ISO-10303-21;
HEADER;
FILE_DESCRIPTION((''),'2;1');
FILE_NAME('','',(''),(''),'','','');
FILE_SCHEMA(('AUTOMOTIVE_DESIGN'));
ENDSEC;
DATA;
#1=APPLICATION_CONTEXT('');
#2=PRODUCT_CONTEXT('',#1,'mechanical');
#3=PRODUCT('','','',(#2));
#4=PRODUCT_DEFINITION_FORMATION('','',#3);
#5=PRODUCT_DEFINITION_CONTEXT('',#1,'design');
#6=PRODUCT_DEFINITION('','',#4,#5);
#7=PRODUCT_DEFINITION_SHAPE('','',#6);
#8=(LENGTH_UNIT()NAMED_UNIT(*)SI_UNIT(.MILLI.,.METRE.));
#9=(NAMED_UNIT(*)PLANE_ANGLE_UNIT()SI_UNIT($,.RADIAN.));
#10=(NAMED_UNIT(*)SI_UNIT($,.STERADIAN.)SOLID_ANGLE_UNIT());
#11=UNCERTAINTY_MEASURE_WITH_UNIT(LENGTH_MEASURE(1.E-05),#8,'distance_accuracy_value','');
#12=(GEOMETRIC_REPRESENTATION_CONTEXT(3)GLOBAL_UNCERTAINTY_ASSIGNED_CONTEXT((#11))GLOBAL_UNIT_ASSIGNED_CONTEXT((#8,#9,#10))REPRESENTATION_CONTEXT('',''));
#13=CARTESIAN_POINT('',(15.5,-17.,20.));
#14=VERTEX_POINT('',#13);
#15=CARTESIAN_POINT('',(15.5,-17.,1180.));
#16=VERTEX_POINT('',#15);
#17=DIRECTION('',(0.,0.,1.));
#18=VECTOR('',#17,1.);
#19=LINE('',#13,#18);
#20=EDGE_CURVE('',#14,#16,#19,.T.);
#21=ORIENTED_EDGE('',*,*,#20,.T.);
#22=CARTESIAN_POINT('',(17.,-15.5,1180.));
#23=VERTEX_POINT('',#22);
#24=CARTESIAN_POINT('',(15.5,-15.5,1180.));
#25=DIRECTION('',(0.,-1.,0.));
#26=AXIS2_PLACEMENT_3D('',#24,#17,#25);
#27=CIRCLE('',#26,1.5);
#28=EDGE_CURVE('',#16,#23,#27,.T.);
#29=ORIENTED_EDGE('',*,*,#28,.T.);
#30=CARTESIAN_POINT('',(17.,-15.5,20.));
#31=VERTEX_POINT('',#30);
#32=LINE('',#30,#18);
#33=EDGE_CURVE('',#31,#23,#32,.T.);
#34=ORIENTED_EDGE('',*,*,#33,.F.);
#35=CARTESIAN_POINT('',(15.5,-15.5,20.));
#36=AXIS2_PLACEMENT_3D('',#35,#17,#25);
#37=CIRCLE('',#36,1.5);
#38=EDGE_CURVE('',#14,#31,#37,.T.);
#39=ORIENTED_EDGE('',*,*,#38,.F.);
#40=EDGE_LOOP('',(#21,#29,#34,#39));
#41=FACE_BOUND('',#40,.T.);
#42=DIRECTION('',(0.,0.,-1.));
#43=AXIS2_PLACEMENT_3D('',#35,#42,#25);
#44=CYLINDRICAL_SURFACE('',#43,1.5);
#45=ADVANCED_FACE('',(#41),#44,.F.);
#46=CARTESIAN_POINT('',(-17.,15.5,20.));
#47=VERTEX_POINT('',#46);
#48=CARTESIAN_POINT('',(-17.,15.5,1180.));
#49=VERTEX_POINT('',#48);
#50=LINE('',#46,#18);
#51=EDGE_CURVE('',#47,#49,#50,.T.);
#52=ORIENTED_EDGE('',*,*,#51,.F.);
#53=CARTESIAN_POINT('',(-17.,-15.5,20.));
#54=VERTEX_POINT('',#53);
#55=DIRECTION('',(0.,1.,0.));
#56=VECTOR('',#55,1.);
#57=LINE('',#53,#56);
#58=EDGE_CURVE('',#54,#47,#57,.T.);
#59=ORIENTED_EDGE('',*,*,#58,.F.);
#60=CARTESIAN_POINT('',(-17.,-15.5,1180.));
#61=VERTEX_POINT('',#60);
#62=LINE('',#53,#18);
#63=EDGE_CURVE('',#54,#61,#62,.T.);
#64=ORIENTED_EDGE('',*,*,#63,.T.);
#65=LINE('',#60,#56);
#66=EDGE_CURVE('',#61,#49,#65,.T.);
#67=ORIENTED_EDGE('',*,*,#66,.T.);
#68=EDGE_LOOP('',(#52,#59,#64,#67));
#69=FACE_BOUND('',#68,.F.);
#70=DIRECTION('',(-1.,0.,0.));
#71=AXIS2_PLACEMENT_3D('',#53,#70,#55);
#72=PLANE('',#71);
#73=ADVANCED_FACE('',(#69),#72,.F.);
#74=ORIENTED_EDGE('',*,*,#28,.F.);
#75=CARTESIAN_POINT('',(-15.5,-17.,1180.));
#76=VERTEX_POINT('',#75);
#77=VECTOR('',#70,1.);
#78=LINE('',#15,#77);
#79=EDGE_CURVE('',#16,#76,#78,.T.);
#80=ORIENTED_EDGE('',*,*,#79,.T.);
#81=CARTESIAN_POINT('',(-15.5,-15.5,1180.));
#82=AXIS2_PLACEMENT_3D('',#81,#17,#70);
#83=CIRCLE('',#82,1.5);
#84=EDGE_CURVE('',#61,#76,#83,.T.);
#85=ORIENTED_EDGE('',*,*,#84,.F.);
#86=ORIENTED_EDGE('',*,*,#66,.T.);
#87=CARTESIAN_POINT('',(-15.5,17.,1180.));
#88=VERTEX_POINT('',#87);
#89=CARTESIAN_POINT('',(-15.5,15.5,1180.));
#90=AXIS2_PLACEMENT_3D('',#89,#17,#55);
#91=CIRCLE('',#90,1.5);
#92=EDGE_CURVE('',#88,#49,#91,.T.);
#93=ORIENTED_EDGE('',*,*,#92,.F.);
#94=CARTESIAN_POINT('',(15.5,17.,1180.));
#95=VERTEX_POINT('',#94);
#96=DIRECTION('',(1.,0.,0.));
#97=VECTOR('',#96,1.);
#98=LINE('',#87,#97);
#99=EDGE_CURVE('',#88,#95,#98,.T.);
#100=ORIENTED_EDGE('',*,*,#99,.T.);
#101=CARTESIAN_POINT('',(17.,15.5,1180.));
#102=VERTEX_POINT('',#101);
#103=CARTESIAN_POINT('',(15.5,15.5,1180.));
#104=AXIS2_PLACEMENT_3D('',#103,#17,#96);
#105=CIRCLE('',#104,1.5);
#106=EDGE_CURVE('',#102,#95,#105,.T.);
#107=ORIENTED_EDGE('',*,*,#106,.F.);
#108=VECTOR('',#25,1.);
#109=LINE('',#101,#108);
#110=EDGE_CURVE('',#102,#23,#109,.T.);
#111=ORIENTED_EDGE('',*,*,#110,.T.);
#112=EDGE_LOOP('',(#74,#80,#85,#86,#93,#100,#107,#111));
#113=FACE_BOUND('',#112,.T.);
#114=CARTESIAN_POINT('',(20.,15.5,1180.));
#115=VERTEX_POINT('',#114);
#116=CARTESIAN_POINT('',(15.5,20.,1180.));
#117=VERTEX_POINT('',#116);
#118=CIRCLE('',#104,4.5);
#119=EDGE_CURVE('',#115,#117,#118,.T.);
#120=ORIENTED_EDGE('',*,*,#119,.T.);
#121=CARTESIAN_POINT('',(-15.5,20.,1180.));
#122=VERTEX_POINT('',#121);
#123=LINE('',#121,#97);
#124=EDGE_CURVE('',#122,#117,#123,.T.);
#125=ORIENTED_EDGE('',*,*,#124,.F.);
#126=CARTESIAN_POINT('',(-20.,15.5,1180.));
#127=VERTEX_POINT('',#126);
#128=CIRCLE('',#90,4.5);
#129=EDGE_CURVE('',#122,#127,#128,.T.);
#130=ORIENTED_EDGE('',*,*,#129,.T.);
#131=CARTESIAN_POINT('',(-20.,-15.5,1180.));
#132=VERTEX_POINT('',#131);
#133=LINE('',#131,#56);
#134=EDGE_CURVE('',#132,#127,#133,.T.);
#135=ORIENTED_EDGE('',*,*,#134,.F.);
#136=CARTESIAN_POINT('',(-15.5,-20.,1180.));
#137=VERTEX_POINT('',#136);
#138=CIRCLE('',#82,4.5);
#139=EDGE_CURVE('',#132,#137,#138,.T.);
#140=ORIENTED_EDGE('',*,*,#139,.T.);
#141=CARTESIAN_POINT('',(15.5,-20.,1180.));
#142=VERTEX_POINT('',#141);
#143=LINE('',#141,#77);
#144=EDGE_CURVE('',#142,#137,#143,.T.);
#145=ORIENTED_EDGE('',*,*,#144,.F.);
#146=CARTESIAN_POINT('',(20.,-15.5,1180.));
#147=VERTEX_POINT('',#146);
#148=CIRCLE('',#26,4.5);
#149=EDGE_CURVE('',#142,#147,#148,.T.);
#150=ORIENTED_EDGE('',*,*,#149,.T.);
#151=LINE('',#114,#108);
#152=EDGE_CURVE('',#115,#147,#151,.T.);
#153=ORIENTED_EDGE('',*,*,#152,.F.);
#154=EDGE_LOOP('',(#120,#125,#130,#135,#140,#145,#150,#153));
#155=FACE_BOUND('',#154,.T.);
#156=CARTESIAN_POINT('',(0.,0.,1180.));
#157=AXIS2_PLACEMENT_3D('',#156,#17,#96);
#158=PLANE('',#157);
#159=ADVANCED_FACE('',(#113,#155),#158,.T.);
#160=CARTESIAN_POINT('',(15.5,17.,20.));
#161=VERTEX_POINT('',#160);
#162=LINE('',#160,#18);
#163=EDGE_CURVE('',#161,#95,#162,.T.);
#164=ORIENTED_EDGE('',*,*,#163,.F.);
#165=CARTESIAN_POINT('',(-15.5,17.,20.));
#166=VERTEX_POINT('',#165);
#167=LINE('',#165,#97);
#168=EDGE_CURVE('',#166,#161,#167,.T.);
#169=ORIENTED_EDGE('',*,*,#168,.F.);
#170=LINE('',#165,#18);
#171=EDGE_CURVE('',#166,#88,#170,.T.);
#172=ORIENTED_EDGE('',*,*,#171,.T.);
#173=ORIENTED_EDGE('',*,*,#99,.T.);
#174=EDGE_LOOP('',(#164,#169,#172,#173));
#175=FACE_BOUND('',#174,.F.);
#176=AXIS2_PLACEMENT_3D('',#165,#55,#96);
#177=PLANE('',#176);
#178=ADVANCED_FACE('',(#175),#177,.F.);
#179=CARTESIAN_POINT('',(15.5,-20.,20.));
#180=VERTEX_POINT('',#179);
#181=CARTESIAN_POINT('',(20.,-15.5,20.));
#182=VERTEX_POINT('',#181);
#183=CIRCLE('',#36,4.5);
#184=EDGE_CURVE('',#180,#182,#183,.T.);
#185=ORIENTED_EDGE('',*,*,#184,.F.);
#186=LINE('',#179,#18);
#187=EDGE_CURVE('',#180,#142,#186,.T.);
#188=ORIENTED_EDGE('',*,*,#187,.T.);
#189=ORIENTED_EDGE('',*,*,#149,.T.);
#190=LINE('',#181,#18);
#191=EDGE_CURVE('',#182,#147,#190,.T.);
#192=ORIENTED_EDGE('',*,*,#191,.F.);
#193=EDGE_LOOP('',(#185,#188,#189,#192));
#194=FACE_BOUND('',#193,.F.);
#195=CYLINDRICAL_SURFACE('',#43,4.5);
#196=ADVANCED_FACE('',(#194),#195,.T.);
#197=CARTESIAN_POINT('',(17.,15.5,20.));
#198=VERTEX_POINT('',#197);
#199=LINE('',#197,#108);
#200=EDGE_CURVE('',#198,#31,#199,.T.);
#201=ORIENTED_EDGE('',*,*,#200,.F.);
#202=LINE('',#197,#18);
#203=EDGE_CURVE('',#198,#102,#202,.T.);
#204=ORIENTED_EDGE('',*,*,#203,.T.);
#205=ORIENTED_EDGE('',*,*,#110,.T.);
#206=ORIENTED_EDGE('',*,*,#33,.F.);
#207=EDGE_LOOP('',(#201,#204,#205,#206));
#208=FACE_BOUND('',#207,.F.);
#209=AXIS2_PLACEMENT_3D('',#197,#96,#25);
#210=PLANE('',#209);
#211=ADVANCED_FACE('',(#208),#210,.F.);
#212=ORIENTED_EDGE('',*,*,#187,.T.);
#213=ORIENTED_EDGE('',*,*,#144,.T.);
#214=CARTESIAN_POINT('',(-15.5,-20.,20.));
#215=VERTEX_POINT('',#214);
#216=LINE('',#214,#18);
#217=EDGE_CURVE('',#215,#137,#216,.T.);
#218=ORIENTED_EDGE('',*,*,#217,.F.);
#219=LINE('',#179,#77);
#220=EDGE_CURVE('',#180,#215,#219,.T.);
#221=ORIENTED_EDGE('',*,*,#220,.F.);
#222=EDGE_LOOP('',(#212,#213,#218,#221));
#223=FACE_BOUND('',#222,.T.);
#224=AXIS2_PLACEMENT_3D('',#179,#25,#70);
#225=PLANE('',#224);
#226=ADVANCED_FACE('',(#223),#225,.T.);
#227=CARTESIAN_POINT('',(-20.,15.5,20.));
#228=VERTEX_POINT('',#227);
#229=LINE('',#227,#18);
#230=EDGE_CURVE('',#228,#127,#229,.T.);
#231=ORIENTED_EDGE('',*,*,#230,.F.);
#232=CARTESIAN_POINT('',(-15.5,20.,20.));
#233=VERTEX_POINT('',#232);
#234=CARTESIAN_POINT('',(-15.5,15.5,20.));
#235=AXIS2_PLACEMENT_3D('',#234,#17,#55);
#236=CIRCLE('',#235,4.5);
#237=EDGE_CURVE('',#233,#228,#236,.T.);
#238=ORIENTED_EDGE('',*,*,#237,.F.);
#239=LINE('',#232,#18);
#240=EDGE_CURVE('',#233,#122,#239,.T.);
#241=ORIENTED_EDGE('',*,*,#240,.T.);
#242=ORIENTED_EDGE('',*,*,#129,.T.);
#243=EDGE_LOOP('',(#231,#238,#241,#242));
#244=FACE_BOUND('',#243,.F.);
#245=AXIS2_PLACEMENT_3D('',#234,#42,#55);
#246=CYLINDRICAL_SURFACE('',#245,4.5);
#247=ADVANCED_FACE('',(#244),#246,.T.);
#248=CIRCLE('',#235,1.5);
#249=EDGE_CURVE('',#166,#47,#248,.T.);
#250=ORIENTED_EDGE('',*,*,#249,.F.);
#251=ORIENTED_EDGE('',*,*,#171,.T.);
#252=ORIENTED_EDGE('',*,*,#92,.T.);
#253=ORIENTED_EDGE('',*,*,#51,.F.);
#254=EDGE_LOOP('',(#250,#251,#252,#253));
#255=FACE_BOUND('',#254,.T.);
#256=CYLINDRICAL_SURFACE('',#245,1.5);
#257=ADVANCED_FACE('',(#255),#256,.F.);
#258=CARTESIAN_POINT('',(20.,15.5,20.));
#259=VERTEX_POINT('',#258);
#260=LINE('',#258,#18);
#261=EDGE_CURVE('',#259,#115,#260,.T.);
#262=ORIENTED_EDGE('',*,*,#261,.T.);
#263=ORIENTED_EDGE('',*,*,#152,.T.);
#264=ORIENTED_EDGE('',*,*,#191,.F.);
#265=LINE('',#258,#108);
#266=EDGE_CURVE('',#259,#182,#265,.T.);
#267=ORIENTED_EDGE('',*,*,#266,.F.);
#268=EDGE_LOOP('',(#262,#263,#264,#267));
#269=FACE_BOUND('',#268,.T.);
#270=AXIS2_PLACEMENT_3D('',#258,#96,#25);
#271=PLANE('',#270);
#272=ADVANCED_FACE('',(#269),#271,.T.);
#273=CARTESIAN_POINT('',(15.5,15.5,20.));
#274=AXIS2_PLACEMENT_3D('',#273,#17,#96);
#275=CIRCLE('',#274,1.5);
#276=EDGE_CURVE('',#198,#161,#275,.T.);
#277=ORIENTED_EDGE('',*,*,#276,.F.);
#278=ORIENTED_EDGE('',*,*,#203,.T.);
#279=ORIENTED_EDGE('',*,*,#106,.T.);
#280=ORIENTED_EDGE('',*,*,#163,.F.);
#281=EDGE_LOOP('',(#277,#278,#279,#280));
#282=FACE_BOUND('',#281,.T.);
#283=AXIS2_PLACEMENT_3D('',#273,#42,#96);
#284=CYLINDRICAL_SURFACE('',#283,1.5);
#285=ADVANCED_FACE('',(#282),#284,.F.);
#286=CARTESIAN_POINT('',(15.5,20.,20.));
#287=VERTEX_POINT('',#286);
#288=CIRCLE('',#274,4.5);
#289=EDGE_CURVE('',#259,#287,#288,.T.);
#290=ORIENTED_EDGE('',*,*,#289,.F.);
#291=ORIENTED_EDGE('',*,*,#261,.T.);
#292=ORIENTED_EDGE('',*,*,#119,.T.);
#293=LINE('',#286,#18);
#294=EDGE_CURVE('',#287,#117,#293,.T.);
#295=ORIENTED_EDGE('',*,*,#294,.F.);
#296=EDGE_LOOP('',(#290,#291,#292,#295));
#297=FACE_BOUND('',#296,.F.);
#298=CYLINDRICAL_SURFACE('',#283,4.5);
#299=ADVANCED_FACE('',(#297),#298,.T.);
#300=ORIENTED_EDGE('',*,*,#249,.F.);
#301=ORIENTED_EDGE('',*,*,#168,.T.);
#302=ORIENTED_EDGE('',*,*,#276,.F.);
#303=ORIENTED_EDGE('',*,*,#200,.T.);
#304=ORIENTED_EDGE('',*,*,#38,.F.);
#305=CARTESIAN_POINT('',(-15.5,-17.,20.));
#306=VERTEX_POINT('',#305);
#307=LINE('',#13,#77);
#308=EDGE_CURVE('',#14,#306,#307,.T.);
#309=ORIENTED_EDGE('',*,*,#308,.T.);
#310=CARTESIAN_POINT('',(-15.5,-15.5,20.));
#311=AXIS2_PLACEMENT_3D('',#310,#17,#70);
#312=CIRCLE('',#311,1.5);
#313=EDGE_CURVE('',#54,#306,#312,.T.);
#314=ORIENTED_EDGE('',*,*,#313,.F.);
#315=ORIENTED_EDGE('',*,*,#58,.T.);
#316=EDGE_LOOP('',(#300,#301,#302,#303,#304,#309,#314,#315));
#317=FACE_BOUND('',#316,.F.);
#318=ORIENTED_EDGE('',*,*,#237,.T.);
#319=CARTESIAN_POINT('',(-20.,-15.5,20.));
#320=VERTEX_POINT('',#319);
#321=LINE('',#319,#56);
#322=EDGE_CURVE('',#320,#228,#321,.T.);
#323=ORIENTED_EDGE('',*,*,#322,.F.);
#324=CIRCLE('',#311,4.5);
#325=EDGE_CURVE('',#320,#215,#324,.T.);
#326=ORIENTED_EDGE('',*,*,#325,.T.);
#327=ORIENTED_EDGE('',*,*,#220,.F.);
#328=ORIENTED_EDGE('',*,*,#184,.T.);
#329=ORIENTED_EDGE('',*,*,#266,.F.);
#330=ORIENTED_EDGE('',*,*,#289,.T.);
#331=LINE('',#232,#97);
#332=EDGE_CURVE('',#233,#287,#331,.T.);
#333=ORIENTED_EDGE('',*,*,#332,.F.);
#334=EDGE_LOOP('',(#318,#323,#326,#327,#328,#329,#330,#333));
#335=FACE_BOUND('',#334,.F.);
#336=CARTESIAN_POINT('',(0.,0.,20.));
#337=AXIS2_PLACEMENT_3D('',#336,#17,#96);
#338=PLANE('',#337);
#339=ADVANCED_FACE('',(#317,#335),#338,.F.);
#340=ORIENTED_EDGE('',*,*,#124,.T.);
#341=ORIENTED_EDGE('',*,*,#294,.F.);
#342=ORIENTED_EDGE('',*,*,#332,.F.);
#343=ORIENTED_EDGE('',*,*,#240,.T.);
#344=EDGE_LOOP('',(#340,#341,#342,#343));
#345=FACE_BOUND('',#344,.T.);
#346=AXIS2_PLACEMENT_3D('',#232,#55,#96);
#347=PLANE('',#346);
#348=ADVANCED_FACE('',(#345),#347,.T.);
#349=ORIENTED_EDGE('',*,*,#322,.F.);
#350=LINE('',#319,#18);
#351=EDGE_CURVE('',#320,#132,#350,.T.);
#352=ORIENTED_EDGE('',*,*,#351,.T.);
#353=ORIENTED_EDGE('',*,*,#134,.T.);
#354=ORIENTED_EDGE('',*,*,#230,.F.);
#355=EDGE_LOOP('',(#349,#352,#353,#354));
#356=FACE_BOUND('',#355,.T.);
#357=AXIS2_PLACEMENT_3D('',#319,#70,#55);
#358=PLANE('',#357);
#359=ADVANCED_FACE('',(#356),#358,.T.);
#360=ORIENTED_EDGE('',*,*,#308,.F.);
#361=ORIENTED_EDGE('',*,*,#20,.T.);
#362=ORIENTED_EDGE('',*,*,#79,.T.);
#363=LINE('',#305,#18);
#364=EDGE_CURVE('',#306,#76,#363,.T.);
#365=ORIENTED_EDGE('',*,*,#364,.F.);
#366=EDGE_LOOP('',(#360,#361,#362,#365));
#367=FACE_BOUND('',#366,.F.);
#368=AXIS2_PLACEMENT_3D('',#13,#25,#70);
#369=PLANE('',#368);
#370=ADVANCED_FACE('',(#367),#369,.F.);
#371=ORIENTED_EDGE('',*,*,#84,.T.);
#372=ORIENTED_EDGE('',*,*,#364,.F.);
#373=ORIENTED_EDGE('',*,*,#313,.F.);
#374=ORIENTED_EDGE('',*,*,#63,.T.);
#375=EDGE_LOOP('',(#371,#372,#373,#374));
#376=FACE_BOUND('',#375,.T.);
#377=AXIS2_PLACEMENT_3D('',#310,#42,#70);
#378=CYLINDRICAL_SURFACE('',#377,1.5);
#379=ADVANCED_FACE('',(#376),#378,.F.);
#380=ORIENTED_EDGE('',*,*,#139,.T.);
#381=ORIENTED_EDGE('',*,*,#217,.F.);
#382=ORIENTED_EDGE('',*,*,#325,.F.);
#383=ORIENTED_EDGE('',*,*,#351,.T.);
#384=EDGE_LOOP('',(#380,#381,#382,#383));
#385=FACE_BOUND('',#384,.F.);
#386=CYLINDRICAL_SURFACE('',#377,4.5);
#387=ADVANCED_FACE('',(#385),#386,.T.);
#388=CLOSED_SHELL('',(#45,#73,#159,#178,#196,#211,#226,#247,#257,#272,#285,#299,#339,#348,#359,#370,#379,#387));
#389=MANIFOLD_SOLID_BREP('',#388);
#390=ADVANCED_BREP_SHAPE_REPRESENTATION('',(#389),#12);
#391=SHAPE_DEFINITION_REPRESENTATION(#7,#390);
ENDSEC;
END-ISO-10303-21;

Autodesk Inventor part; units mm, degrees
ref_plane "Start Plane" through (0, 0, 20) normal (0, 0, 1) x (1, 0, 0)
ref_plane "End Plane" through (0, 0, 1180) normal (0, 0, 1) x (1, 0, 0)
sketch "Sketch" plane through (0, 0, 0) normal (0, 0, 1) x (1, 0, 0)
  line L0 (-20, -15.5) -> (-20, 15.5)
  line L1 (-15.5, 20) -> (15.5, 20)
  line L2 (20, 15.5) -> (20, -15.5)
  line L3 (15.5, -20) -> (-15.5, -20)
  arc A0 (-20, -15.5) -> (-15.5, -20) centre (-15.5, -15.5) ccw
  arc A1 (-15.5, 20) -> (-20, 15.5) centre (-15.5, 15.5) ccw
  arc A2 (20, 15.5) -> (15.5, 20) centre (15.5, 15.5) ccw
  arc A3 (15.5, -20) -> (20, -15.5) centre (15.5, -15.5) ccw
  arc A4 (-15.5, 17) -> (-17, 15.5) centre (-15.5, 15.5) ccw
  line L4 (-15.5, 17) -> (15.5, 17)
  arc A5 (17, 15.5) -> (15.5, 17) centre (15.5, 15.5) ccw
  line L5 (17, 15.5) -> (17, -15.5)
  arc A6 (15.5, -17) -> (17, -15.5) centre (15.5, -15.5) ccw
  line L6 (15.5, -17) -> (-15.5, -17)
  arc A7 (-17, -15.5) -> (-15.5, -17) centre (-15.5, -15.5) ccw
  line L7 (-17, -15.5) -> (-17, 15.5)
  line L8 (0, 29.3048) -> (0, -29.3048) construction
  line L9 (-29.3048, 0) -> (29.3048, 0) construction
  dimension "d7" = 4.5
  dimension "d10" = 40
  dimension "d11" = 40
  dimension "d12" = 3
  dimension "d15" = 20
  dimension "d16" = 20
extrude "Body" add sketch "Sketch" along normal up to surface (1160 mm away) from surface at 20
sketch "Sketch3" plane through (0, 0, 0) normal (0, 0, 1) x (1, 0, 0)
  line L0 (0, 0) -> (10, 0)
ref_plane "Work Plane3" through (0, 0, 0) normal (0, -1, 0) x (1, 0, 0)
ref_plane "Work Plane4" through (1500, -15.5, 1180) normal (0, 0, 1) x (1, 0, 0)
split "Split1" plane through (1500, -15.5, 1180) removes the side toward (0, 0, 1)
ref_plane "Work Plane5" through (1500, 15.5, 20) normal (0, 0, -1) x (-1, 0, 0)
split "Split2" plane through (1500, 15.5, 20) removes the side toward (0, 0, -1)
sketch "Sketch4" plane through (0, 0, 0) normal (0, -1, 0) x (1, 0, 0)
  line L0 (-2, 20) -> (12, 20) projected
  line L1 (-2, 1180) -> (12, 1180) projected
  dimension "d18" = 1160
equation "\"d7\" = G_IR"
equation "\"d10\" = G_H"
equation "\"d11\" = G_W"
equation "\"d12\" = G_T"
equation "\"d15\" = 0.5 * d10"
equation "\"d16\" = 0.5 * d11"
equation "\"d3\" = G_L"
equation "\"G_W\" = 40"
equation "\"G_H\" = 40"
equation "\"G_T\" = 3"
equation "\"G_IR\" = 4.5"
equation "\"G_L\" = d18"
properties part number "ISO 12633-2 - 40x40x3 - 1160" material "Steel, Mild"
